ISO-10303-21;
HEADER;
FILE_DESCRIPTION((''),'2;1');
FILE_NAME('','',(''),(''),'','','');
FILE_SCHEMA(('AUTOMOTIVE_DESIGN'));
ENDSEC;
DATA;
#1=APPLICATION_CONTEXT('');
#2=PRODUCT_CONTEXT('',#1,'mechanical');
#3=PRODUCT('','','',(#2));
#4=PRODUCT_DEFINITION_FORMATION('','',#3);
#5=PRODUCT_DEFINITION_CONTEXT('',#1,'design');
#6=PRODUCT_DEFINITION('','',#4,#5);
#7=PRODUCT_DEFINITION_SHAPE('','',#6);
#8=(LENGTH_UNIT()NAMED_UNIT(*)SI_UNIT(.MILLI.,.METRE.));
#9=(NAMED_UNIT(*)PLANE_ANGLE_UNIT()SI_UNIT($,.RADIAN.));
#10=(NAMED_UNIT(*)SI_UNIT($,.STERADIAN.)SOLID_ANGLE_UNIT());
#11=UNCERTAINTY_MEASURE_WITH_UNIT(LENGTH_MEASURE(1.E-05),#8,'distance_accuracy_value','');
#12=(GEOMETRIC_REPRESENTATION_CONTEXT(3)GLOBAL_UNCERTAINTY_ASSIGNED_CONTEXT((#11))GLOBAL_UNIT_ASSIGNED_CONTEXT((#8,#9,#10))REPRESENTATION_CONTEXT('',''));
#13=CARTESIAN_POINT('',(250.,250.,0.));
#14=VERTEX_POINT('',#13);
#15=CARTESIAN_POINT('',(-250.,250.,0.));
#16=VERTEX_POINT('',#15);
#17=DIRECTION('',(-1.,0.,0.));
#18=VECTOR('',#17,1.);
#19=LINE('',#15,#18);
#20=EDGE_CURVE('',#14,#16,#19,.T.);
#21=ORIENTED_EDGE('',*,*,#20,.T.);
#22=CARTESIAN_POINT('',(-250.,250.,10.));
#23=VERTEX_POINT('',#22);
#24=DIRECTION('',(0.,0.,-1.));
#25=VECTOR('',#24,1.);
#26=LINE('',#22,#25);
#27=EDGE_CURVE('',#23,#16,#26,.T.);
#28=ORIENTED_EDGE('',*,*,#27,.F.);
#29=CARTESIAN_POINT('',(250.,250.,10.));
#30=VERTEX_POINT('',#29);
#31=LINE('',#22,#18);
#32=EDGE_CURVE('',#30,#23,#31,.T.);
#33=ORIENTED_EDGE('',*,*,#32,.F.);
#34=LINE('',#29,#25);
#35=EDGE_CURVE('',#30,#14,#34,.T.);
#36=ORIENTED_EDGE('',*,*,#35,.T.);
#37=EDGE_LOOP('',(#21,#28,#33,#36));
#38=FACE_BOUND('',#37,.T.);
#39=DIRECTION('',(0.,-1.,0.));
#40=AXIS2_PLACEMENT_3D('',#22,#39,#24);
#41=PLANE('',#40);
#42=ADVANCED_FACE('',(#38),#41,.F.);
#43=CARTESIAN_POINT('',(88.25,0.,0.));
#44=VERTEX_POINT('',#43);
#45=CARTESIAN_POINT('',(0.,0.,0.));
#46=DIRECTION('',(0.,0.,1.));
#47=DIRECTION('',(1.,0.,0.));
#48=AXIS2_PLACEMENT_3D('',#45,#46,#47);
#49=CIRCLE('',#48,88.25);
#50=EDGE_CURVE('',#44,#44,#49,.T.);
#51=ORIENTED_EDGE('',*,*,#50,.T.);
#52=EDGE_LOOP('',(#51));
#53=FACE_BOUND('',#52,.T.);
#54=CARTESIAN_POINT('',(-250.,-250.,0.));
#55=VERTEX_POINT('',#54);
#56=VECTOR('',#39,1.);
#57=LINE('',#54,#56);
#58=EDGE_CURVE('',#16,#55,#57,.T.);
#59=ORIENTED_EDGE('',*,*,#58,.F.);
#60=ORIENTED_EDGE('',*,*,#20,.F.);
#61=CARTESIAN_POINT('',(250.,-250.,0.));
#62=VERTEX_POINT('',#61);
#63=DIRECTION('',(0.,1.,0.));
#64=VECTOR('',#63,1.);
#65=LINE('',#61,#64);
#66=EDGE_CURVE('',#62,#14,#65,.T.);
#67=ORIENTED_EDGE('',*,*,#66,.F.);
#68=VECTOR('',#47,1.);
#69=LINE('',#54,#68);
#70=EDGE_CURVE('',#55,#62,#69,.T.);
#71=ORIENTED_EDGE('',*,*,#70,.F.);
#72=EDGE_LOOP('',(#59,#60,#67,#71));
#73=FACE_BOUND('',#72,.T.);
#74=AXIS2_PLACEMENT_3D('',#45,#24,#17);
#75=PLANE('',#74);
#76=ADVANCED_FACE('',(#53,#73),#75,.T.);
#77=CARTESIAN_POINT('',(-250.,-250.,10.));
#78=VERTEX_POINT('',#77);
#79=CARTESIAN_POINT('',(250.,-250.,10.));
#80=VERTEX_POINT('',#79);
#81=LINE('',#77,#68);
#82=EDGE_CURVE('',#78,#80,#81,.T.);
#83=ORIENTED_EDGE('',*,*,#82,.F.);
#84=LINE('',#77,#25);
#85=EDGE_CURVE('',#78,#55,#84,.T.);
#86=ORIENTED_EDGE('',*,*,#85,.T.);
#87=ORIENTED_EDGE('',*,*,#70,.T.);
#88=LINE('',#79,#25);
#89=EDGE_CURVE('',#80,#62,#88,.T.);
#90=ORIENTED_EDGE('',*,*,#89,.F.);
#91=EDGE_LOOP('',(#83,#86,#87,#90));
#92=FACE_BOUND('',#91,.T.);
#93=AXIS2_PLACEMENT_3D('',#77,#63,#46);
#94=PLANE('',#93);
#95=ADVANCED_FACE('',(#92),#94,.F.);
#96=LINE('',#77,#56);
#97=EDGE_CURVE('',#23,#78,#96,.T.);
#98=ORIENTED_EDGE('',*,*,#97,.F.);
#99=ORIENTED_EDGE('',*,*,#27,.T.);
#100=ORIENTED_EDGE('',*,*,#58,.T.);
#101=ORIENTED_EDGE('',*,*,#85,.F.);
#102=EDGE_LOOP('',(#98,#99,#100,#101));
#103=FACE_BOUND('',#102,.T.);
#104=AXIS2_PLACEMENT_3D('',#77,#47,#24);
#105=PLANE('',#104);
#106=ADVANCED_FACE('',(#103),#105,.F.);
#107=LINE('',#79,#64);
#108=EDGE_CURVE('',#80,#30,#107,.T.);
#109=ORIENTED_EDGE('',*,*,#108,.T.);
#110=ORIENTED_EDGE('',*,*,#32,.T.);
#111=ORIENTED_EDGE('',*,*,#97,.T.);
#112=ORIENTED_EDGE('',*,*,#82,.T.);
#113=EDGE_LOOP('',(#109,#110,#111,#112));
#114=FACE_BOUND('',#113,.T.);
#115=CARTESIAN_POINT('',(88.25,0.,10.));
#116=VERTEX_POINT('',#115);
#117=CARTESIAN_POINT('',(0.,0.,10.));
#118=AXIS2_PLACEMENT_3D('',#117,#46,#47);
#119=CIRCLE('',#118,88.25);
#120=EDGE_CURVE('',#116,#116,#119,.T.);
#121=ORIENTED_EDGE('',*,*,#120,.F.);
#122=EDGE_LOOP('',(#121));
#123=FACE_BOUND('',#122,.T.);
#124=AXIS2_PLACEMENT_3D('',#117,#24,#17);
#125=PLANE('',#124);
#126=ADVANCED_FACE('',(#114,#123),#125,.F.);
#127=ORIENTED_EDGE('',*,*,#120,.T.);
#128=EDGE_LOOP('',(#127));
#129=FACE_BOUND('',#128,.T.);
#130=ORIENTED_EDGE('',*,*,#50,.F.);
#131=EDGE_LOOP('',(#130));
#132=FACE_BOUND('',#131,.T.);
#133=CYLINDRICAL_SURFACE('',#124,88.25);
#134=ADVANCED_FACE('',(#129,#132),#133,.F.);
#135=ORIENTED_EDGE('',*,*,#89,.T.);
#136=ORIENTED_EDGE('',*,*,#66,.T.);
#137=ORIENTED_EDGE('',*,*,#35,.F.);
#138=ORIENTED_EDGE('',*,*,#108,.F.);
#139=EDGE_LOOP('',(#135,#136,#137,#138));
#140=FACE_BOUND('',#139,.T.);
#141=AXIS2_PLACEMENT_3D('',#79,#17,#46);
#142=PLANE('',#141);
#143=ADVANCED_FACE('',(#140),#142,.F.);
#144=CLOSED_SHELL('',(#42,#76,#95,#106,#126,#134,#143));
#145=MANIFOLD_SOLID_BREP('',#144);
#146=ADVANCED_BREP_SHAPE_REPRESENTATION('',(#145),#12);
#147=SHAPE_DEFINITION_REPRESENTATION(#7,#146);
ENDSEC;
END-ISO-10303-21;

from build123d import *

# Parameters (mm, degrees)
SKETCH1_W           = 500
SKETCH1_H           = 500
SKETCH1_R           = 88.25
BOSS_EXTRUDE1_DEPTH = 10


with BuildPart() as part:
    # Sketch1 → Boss-Extrude1 (new body)
    with BuildSketch(Plane.XY):
        Rectangle(SKETCH1_W, SKETCH1_H)
        Circle(SKETCH1_R, mode=Mode.SUBTRACT)
    extrude(amount=BOSS_EXTRUDE1_DEPTH)


solid = part.part
